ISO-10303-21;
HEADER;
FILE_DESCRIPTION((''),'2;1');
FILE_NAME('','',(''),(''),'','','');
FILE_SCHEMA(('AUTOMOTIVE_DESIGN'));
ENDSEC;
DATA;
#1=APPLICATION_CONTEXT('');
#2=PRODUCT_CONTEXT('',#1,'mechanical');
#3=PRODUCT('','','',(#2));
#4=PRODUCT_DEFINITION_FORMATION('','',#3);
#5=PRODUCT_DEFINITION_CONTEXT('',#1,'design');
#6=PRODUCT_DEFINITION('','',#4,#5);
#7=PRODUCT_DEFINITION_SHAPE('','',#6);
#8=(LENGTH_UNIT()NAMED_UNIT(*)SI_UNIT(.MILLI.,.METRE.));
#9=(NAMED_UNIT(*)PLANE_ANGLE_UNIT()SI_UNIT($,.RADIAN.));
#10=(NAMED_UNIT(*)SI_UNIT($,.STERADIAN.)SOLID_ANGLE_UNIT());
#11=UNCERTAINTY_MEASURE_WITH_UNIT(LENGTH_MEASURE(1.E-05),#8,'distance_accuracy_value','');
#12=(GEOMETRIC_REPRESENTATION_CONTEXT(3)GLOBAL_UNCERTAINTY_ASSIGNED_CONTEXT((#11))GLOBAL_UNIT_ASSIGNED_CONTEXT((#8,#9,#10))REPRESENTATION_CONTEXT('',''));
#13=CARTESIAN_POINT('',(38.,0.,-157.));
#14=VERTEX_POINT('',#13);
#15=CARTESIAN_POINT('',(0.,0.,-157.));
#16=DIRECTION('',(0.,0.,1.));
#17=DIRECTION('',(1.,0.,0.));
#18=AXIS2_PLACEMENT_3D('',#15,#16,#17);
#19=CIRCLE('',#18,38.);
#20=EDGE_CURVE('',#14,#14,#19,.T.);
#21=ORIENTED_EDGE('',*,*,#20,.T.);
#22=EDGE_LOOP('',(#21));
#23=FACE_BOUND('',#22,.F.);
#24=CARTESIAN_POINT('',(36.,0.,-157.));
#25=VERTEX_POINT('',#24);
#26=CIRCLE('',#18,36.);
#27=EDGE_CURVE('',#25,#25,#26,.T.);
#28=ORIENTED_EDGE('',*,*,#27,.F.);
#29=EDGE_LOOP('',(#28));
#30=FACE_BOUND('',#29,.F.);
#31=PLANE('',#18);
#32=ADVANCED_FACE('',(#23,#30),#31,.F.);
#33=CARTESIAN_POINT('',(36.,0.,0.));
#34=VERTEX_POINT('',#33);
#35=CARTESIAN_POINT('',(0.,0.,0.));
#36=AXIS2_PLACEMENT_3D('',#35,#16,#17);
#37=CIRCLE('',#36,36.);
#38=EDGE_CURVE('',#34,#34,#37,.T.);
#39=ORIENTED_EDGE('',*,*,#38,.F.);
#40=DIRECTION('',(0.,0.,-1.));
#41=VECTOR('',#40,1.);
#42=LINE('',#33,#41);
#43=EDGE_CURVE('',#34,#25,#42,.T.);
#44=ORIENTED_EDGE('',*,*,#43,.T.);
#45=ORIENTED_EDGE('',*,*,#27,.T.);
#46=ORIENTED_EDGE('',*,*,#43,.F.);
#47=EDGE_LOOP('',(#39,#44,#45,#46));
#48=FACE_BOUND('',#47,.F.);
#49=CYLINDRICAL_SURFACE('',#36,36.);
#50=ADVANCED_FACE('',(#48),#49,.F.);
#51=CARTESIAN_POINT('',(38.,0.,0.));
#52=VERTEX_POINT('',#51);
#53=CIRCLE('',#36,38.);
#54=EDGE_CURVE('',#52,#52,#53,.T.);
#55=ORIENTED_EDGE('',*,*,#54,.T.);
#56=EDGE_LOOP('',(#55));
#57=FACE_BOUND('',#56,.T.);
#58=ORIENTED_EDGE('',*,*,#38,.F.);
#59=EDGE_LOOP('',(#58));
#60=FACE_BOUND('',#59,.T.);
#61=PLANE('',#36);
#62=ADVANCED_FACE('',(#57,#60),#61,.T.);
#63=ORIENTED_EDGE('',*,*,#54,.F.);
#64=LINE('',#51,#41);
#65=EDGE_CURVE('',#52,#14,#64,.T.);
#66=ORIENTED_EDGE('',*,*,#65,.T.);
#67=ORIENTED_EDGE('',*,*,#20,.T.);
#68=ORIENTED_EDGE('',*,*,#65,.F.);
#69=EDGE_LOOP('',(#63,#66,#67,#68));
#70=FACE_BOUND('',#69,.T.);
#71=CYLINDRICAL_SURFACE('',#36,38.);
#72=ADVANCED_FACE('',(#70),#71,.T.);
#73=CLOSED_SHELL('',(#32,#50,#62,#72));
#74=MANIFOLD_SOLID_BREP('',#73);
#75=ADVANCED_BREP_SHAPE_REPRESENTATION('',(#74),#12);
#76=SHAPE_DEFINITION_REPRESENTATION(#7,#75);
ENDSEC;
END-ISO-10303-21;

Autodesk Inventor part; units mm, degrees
ref_plane "YZ Plane" through (0, 0, 0) normal (1, 0, 0) x (0, 1, 0)
ref_plane "XZ Plane" through (0, 0, 0) normal (0, 1, 0) x (-1, 0, 0)
ref_plane "XY Plane" through (0, 0, 0) normal (0, 0, 1) x (1, 0, 0)
sketch "Sketch8" plane through (0, 0, 0) normal (0, 0, 1) x (1, 0, 0)
  circle A0 centre (0, 0) radius 38
  circle A1 centre (0, 0) radius 36
  dimension "d46" = 76
  dimension "d47" = 2
extrude "Extrusion2" add sketch "Sketch8" against normal blind 157
equation "\"BendReliefWidth\" = Thickness"
equation "\"BendReliefDepth\" = 0.5 * Thickness"
equation "\"CornerReliefSize\" = 4 * Thickness"
equation "\"MinimumRemnant\" = 2 * Thickness"
equation "\"TransitionRadius\" = BendRadius"
equation "\"JacobiRadiusSize\" = BendRadius"
equation "\"GapSize\" = Thickness"
equation "\"Octaeder_side\" = d41"
equation "\"Octaeder_flange_lenth\" = d42"
equation "\"Thickness\" = 4"
equation "\"BendRadius\" = 6"
equation "\"d41\" = 55.918831"
equation "\"d42\" = 72.5"
properties part number "DSB 212 head tube" material "Stainless Steel"
